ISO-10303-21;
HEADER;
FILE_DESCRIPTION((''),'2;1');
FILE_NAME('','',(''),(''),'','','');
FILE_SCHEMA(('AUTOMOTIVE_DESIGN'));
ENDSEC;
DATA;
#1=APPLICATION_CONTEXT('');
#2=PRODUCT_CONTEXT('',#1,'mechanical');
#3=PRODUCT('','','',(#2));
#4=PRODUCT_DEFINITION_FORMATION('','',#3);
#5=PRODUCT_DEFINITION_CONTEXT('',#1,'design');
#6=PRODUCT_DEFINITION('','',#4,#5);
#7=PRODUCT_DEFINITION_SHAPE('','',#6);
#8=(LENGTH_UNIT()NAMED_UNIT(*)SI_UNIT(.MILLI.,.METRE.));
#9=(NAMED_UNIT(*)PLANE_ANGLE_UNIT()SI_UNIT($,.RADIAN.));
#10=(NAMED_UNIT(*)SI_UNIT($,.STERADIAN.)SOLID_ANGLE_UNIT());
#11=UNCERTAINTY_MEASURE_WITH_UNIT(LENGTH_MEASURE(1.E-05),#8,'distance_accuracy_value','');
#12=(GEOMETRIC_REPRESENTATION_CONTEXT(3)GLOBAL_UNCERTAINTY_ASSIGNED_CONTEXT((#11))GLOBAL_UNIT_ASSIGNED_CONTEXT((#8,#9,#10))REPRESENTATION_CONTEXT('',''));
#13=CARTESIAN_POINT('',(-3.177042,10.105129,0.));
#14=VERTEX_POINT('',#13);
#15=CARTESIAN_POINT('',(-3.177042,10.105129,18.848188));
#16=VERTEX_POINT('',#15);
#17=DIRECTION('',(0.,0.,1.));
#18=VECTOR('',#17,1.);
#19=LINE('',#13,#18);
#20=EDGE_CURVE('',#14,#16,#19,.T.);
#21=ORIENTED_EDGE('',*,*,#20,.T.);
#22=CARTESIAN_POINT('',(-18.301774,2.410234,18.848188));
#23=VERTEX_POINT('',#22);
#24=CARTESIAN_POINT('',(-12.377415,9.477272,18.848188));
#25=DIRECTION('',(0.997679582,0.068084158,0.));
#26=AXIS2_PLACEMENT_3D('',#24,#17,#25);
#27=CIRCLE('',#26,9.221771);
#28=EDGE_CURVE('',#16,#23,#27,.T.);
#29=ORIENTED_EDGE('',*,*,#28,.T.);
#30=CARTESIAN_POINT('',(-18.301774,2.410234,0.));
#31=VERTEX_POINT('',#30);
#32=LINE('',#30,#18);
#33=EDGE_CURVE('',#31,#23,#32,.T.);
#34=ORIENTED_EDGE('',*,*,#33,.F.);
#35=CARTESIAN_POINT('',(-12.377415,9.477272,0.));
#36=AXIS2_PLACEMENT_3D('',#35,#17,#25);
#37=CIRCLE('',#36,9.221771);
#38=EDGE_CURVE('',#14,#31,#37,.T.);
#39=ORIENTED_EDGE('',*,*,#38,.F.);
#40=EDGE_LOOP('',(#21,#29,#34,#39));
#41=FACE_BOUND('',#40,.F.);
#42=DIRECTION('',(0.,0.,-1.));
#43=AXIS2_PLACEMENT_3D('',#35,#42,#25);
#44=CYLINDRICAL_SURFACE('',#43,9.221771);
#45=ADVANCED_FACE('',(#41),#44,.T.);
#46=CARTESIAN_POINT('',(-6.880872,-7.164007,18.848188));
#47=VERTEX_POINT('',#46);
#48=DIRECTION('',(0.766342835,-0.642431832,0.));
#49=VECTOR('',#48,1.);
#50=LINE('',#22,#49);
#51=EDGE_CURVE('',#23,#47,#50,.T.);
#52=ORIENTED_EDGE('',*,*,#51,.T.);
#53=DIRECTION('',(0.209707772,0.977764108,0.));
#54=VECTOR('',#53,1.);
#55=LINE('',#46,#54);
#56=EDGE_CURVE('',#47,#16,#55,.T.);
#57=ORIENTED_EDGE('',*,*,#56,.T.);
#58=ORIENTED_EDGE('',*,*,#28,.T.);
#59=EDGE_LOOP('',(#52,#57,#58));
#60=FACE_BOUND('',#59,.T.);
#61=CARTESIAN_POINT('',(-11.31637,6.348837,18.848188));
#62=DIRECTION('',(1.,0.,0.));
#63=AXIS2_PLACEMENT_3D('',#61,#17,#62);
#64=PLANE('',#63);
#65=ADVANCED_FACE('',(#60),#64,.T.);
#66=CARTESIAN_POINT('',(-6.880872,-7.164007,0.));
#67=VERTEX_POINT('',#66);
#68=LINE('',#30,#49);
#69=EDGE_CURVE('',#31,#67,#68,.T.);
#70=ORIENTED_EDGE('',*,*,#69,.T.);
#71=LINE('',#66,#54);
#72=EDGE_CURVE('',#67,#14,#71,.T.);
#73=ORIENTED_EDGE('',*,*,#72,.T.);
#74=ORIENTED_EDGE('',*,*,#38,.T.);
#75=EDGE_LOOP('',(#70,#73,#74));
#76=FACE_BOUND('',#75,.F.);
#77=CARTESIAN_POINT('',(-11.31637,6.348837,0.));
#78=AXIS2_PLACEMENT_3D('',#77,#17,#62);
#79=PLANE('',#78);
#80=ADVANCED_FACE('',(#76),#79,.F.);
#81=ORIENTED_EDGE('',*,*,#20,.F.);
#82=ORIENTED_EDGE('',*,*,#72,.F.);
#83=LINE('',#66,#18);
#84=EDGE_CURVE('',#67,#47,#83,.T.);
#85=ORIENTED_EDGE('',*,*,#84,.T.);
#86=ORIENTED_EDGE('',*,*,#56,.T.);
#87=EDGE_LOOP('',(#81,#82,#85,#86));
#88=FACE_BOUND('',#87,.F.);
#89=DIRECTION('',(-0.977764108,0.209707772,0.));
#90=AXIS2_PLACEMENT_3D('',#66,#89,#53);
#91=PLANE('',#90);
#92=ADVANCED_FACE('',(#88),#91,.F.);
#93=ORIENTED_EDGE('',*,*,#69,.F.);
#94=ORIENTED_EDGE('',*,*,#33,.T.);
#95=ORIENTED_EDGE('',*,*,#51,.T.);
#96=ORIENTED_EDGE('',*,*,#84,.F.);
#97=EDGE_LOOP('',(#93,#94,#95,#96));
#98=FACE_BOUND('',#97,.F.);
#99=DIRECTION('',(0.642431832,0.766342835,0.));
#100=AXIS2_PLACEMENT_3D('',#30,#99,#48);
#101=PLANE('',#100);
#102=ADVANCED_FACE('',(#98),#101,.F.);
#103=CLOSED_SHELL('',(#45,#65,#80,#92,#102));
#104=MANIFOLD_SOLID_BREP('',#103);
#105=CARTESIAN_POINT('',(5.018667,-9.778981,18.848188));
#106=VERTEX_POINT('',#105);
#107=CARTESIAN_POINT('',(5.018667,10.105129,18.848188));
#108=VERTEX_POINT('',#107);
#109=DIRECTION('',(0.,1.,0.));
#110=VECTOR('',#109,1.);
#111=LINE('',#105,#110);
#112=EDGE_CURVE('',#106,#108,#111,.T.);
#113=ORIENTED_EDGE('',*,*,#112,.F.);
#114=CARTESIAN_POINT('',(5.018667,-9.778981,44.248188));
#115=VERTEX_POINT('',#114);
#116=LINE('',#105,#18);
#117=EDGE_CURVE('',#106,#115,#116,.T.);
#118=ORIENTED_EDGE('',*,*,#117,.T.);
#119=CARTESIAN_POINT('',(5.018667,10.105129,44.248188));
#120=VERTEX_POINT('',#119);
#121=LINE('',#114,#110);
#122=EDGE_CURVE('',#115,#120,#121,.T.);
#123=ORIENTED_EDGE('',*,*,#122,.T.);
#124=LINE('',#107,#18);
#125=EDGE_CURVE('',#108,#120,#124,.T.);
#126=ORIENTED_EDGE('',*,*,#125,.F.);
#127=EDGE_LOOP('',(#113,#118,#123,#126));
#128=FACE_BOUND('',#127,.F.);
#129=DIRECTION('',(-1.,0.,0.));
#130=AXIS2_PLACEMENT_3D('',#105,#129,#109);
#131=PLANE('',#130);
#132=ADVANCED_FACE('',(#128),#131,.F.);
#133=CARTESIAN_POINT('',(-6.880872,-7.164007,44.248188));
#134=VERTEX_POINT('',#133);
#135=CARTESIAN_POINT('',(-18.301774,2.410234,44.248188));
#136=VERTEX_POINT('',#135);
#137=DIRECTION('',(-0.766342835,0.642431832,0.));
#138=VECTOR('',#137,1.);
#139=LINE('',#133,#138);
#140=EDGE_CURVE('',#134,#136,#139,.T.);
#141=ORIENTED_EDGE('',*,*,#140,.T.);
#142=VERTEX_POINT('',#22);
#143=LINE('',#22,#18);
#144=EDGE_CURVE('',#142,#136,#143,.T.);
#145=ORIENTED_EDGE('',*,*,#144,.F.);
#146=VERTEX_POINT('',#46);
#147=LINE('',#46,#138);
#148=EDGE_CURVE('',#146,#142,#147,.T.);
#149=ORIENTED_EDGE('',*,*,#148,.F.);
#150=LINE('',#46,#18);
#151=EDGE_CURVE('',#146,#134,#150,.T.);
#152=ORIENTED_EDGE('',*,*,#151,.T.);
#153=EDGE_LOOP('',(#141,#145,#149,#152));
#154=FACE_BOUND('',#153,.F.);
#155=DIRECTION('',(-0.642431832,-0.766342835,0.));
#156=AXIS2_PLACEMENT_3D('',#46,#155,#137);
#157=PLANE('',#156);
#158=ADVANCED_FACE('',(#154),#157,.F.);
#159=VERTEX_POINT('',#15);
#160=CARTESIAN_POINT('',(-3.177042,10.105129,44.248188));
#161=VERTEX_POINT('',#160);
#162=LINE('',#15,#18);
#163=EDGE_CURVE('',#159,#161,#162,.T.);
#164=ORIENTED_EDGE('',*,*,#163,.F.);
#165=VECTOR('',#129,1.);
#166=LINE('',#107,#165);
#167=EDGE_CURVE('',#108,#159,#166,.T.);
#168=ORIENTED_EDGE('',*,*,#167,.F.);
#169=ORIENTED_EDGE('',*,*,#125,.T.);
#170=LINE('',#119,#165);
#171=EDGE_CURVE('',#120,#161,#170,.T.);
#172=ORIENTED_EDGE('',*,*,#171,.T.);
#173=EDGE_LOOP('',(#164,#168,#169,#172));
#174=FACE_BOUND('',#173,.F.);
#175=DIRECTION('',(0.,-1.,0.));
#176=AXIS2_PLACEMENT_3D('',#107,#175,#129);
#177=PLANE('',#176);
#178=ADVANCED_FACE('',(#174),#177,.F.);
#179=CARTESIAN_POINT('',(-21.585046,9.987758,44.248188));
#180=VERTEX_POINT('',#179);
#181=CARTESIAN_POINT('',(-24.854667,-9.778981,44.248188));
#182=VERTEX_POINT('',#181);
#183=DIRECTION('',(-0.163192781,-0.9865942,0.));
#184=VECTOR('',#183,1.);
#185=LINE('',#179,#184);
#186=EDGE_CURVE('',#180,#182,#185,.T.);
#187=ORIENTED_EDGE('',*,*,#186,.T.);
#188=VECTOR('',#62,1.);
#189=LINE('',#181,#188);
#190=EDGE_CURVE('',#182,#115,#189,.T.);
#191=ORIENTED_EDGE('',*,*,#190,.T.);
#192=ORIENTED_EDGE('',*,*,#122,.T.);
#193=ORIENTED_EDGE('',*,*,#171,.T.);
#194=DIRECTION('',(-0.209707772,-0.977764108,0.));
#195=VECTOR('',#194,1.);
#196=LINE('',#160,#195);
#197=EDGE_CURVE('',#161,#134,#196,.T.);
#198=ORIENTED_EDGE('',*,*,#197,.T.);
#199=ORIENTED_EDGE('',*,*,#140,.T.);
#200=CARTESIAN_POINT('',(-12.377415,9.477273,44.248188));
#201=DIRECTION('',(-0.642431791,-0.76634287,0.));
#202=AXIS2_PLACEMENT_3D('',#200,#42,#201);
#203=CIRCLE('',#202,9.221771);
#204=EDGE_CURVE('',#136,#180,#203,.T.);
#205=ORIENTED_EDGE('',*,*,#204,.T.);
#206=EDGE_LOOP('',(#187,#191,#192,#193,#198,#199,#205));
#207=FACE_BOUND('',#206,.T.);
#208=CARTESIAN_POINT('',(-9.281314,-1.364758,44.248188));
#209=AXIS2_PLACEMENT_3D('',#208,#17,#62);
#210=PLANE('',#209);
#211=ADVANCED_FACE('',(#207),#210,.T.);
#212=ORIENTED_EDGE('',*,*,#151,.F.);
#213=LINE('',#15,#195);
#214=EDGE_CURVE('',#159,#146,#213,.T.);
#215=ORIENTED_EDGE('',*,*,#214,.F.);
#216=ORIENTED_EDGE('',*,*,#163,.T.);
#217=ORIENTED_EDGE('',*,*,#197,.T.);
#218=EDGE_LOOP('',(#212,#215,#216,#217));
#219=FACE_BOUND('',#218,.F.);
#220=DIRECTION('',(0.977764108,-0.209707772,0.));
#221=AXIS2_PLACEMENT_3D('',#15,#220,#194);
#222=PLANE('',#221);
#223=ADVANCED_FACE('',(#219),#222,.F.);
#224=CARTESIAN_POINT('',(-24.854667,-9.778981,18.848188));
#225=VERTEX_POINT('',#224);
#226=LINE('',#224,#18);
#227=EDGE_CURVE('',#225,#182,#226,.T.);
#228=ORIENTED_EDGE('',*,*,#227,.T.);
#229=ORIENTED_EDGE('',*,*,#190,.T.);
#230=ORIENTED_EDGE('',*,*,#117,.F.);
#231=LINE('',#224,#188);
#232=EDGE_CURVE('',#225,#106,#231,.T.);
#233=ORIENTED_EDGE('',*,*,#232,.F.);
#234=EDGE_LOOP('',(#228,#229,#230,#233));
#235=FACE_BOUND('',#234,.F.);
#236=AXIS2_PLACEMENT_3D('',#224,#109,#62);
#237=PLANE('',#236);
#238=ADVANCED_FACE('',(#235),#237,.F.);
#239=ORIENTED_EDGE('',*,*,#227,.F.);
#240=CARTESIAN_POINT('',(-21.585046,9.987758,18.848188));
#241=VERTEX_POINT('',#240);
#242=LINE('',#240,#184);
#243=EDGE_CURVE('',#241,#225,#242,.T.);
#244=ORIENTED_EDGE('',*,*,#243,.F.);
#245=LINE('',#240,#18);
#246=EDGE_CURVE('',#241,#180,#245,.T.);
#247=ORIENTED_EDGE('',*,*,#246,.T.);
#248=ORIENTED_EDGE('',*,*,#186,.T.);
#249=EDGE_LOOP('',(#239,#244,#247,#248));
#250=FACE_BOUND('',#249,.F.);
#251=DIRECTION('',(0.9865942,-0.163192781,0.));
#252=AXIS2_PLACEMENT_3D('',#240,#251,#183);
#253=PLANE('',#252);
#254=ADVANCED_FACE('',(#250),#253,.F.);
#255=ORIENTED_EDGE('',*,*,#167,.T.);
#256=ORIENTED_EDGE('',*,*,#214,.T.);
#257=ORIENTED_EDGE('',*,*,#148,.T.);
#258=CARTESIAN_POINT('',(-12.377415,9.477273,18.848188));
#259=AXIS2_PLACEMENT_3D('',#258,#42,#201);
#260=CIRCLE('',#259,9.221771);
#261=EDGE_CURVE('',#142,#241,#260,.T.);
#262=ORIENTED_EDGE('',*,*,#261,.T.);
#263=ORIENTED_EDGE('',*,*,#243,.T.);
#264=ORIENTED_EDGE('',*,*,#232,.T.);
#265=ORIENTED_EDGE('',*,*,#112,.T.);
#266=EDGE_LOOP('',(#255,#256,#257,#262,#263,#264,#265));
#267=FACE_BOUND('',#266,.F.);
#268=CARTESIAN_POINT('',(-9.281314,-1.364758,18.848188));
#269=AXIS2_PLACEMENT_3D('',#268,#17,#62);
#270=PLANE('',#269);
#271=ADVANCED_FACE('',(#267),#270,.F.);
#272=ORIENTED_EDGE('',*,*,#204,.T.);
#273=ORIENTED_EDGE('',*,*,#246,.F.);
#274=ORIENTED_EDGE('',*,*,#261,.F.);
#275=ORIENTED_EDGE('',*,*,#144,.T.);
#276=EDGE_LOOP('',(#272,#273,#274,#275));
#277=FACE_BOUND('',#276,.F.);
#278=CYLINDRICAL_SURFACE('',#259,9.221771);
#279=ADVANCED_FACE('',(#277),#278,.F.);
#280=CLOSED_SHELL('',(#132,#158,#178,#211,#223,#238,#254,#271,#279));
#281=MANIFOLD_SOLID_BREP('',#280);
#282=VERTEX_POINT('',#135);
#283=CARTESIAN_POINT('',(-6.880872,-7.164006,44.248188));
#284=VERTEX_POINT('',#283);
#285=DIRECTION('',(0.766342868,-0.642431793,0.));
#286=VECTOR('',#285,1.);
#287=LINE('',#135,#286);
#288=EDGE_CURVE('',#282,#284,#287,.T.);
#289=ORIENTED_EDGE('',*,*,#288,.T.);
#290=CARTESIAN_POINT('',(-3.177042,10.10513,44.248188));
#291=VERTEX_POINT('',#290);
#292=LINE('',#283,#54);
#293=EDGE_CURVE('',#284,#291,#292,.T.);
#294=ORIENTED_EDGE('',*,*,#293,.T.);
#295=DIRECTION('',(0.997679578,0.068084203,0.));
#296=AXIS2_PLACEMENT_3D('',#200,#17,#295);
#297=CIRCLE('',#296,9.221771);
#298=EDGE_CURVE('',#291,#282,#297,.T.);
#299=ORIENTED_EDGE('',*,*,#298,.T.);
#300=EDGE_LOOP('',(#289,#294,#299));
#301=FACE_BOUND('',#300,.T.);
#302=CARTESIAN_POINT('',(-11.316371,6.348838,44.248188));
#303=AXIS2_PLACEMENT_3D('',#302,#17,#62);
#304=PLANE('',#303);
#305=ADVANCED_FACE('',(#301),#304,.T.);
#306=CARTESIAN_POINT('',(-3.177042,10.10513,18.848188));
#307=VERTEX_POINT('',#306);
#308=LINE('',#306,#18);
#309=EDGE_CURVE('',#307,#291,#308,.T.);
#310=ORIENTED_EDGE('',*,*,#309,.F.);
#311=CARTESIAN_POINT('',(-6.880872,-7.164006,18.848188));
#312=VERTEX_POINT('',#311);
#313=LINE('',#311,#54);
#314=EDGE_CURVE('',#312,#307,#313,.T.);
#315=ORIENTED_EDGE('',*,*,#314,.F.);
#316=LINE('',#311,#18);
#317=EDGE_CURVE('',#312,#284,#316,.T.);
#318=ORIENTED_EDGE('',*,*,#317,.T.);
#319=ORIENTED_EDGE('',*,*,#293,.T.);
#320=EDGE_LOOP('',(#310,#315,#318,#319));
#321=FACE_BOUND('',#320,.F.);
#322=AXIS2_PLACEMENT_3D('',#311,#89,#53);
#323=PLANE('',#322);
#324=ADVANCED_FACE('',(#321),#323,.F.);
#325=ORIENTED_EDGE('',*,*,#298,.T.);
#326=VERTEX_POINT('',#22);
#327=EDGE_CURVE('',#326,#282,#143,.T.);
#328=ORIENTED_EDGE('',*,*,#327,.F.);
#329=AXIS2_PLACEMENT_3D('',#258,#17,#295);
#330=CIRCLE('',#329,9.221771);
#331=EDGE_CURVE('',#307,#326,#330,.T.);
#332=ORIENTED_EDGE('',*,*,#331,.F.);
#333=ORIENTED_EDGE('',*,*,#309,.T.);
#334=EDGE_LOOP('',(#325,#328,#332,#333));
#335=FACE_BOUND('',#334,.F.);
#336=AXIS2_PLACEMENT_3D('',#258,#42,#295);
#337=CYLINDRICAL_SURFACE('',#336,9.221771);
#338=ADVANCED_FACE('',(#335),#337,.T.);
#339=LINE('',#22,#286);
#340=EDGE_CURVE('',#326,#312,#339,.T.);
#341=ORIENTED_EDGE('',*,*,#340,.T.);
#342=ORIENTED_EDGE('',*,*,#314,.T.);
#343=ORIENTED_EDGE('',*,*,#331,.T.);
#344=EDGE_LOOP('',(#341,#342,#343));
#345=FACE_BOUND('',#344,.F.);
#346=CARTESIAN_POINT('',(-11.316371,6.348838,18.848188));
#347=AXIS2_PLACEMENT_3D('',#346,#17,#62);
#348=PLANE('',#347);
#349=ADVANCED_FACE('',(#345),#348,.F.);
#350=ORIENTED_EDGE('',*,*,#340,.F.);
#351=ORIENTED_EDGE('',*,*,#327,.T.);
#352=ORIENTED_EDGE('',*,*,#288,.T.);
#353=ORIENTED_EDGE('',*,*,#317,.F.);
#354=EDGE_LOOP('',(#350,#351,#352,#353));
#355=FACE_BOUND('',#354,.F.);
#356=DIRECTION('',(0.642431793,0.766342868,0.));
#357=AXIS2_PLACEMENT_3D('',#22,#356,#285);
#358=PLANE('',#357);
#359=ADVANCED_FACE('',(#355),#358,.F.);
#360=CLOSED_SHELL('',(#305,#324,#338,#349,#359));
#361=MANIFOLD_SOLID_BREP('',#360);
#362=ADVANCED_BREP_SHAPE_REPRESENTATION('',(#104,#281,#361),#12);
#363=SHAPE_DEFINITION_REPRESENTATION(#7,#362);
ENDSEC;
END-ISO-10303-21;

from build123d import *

# Parameters (mm, degrees)
F1_DEPTH = 18.848188
F3_DEPTH = 25.4
F4_DEPTH = 25.4


with BuildPart() as f1:
    # F0 (on Top) → F1 (new body)
    with BuildSketch(Plane.XY):
        with BuildLine():
            Line((-6.880872, -7.164007), (-3.177042, 10.105129))
            ThreePointArc((-3.177042, 10.105129), (-16.559032, 17.696466), (-18.301774, 2.410234))
            Line((-18.301774, 2.410234), (-6.880872, -7.164007))
        make_face()
    extrude(amount=F1_DEPTH)


with BuildPart() as f3:
    # F2 (on face) → F3 (new body)
    with BuildSketch(Plane.XY.offset(18.848188)):
        with BuildLine():
            Line((5.018667, 10.105129), (-3.177042, 10.105129))
            Line((-3.177042, 10.105129), (-6.880872, -7.164007))
            Line((-6.880872, -7.164007), (-18.301774, 2.410234))
            ThreePointArc((-18.301774, 2.410234), (-20.839034, 5.81093), (-21.585046, 9.987758))
            Line((-21.585046, 9.987758), (-24.854667, -9.778981))
            Line((-24.854667, -9.778981), (5.018667, -9.778981))
            Line((5.018667, -9.778981), (5.018667, 10.105129))
        make_face()
    extrude(amount=F3_DEPTH)


with BuildPart() as f4:
    # F1_face (on face) → F4 (new body)
    with BuildSketch(Plane(origin=(-11.883277, 7.786879, 18.848188), x_dir=(1, 0, 0), z_dir=(0, 0, 1))):
        with BuildLine():
            Line((-6.418497, -5.376645), (5.002405, -14.950885))
            Line((5.002405, -14.950885), (8.706235, 2.318251))
            ThreePointArc((8.706235, 2.318251), (-4.675755, 9.909588), (-6.418497, -5.376645))
        make_face()
    extrude(amount=F4_DEPTH)


solid = Compound([f1.part, f3.part, f4.part])
